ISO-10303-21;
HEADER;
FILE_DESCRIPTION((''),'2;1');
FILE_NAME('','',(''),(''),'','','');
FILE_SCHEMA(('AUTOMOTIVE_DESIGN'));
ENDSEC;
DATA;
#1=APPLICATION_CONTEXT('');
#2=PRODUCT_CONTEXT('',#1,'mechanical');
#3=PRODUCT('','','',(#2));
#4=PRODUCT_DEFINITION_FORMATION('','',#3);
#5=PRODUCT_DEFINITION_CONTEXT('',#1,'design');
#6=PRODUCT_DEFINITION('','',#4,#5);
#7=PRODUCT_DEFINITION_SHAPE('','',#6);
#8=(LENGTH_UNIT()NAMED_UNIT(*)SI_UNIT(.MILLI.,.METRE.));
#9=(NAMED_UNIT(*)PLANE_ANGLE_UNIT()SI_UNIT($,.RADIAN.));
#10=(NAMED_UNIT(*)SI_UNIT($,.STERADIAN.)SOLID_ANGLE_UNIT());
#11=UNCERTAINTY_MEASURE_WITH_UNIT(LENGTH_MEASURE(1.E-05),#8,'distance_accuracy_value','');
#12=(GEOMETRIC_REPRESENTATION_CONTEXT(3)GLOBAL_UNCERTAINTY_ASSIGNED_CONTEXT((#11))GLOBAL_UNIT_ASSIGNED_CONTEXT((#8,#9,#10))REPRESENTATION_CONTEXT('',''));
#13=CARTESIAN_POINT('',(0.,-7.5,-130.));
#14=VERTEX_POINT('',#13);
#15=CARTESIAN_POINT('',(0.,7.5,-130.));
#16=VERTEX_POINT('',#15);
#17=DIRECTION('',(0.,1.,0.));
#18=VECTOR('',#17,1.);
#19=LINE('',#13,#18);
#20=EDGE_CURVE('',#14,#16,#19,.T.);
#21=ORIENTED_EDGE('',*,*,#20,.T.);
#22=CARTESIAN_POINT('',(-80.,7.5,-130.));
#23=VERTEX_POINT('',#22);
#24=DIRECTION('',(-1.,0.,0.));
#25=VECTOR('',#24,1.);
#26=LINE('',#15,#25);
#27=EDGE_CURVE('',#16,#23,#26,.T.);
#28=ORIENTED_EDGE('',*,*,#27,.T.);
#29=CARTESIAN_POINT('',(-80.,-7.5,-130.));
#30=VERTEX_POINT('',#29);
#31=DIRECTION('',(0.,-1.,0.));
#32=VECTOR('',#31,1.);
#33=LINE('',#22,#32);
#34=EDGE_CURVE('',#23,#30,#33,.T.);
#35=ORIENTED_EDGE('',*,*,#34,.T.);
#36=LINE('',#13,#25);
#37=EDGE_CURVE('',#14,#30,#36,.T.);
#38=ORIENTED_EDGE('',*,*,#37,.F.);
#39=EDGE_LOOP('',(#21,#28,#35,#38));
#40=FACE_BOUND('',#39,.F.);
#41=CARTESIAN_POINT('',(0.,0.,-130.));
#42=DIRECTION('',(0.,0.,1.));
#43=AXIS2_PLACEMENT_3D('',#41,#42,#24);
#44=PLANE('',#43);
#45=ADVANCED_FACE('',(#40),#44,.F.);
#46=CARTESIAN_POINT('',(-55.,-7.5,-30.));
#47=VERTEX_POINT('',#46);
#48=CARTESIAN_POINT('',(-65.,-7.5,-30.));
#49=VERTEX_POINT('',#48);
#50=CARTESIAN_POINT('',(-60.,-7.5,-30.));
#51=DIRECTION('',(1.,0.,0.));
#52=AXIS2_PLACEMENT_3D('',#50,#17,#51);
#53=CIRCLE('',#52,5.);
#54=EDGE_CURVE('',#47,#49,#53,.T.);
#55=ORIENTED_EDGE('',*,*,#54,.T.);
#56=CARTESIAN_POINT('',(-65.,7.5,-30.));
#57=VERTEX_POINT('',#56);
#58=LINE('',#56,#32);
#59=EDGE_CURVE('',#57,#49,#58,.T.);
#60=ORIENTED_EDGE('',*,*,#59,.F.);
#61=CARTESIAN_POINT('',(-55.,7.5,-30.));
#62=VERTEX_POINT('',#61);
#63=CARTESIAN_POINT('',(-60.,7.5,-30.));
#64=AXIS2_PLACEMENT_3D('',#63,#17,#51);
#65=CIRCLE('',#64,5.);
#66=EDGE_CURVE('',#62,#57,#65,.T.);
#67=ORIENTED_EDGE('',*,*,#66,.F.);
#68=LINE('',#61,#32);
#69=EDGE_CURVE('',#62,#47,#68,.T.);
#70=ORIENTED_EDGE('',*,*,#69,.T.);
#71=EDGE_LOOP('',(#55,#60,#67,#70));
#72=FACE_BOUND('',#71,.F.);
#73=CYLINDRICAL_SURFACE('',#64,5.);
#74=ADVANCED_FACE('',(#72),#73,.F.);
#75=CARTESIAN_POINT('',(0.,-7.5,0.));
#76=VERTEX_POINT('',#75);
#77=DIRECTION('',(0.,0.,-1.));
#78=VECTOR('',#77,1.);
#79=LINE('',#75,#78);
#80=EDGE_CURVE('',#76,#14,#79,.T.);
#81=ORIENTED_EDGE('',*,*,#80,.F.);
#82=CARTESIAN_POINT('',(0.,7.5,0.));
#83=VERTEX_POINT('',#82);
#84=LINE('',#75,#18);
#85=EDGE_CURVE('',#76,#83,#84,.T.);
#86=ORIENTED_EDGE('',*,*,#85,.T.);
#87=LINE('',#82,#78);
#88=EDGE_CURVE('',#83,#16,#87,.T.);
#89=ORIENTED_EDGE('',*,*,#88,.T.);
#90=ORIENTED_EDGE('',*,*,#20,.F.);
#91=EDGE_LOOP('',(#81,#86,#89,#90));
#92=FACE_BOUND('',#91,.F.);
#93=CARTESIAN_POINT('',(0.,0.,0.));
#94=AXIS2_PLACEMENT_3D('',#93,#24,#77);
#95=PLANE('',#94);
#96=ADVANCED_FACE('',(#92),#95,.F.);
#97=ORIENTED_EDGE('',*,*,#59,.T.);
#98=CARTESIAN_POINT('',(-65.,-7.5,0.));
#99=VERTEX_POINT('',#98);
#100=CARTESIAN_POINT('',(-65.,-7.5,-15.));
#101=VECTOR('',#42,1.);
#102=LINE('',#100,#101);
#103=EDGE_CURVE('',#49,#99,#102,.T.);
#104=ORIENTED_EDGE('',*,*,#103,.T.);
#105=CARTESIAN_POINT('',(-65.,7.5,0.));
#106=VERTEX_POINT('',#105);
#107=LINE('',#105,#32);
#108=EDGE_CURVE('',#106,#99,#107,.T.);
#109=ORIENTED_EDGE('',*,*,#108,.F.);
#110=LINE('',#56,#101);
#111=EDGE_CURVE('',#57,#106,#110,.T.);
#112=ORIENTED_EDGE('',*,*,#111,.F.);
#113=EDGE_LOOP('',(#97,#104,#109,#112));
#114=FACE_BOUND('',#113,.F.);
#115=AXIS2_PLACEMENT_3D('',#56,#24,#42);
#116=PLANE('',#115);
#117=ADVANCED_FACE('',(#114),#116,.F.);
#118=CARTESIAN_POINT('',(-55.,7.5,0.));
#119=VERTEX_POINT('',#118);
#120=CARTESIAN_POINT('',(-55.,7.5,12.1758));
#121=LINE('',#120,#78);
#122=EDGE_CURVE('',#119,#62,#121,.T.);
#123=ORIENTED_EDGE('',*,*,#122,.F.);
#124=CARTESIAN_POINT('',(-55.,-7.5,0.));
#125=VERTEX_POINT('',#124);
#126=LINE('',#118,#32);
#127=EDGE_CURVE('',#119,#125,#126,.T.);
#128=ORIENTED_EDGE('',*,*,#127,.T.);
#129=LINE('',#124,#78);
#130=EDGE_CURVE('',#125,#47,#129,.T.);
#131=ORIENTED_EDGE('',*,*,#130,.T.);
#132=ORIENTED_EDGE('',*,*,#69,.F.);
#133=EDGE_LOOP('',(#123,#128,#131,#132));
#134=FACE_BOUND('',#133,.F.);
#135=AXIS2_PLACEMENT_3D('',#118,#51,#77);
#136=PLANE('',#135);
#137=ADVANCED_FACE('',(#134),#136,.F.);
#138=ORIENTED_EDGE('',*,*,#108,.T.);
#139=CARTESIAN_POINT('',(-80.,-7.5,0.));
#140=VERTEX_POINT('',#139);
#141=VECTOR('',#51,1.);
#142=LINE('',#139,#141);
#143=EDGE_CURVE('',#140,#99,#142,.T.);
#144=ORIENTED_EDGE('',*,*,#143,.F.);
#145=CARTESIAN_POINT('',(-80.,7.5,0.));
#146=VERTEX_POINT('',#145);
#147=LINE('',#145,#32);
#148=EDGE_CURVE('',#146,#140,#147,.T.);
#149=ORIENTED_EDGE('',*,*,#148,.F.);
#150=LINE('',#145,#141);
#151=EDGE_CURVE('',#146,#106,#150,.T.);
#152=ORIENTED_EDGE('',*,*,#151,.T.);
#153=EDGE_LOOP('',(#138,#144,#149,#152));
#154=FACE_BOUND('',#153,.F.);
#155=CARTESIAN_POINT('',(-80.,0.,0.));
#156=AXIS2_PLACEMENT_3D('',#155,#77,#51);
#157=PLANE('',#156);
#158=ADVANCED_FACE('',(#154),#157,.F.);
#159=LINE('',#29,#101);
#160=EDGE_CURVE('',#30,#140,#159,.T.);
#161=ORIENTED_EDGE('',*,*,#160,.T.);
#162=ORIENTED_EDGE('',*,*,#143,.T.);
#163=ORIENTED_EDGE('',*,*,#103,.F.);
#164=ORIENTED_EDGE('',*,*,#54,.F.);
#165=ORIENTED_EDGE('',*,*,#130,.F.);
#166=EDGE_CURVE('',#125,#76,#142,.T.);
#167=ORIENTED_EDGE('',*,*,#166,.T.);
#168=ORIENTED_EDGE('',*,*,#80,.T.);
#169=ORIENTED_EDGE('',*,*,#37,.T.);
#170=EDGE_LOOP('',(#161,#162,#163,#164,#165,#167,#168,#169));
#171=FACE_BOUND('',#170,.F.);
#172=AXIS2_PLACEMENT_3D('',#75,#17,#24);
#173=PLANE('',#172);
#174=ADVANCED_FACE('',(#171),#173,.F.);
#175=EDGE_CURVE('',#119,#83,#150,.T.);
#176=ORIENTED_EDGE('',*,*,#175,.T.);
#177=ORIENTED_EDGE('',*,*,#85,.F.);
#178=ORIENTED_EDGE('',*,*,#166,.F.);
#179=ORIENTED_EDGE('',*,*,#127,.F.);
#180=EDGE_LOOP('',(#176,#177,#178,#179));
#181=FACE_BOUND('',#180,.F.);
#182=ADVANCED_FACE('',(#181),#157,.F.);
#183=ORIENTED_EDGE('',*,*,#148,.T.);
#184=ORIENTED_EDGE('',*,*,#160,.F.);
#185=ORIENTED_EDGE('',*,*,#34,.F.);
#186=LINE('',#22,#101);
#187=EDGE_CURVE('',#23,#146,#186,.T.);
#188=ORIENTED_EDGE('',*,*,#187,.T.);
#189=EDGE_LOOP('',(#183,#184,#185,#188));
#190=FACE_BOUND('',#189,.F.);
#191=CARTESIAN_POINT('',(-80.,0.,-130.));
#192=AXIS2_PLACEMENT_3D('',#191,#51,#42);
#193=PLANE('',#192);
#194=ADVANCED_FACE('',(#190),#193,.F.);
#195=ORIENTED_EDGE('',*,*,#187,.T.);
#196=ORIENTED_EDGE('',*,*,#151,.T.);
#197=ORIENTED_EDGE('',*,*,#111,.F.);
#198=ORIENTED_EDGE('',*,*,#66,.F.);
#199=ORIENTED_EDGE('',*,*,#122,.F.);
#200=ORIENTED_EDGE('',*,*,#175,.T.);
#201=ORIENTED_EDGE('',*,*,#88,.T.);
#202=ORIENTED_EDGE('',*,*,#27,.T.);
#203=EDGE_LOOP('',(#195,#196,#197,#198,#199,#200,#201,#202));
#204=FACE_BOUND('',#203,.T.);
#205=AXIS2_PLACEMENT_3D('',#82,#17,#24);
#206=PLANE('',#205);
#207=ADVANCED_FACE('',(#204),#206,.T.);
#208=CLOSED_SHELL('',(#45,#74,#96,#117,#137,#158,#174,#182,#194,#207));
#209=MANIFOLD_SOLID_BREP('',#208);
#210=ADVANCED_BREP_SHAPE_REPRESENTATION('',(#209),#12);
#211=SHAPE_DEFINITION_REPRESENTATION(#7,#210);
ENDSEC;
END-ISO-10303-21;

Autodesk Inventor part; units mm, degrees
ref_plane "YZ Plane" through (0, 0, 0) normal (1, 0, 0) x (0, 1, 0)
ref_plane "XZ Plane" through (0, 0, 0) normal (0, 1, 0) x (-1, 0, 0)
ref_plane "XY Plane" through (0, 0, 0) normal (0, 0, 1) x (1, 0, 0)
sketch "Sketch1" plane through (0, 0, 0) normal (0, 1, 0) x (-1, 0, 0)
  line L0 (0, 0) -> (0, -130)
  line L1 (0, -130) -> (80, -130)
  line L2 (80, -130) -> (80, 0)
  line L3 (80, 0) -> (0, 0)
  dimension "d0" = 130
  dimension "d1" = 80
extrude "Extrusion1" add sketch "Sketch1" along normal mid plane 15
sketch "Sketch2" plane through (0, 7.5, 0) normal (0, 1, 0) x (1, 0, 0)
  line L0 (-60, -12.1758) -> (-60, 30) construction
  line L1 (-55, -12.1758) -> (-55, 30)
  line L2 (-65, 30) -> (-65, -12.1758)
  arc A0 (-65, -12.1758) -> (-55, -12.1758) centre (-60, -12.1758) ccw
  arc A1 (-55, 30) -> (-65, 30) centre (-60, 30) ccw
  line L3 (-80, 130) -> (-80, 0) projected
  line L4 (-80, 0) -> (0, 0) projected
  point P0 (-60, 8.9121)
  point P1 (-65, 0)
  point P2 (-55, 0)
  dimension "d4" = 10
  dimension "d5" = 20
  dimension "d6" = 30
extrude "Extrusion2" cut sketch "Sketch2" along normal through all both and the other way through all contours L4 L2 A1 L1
